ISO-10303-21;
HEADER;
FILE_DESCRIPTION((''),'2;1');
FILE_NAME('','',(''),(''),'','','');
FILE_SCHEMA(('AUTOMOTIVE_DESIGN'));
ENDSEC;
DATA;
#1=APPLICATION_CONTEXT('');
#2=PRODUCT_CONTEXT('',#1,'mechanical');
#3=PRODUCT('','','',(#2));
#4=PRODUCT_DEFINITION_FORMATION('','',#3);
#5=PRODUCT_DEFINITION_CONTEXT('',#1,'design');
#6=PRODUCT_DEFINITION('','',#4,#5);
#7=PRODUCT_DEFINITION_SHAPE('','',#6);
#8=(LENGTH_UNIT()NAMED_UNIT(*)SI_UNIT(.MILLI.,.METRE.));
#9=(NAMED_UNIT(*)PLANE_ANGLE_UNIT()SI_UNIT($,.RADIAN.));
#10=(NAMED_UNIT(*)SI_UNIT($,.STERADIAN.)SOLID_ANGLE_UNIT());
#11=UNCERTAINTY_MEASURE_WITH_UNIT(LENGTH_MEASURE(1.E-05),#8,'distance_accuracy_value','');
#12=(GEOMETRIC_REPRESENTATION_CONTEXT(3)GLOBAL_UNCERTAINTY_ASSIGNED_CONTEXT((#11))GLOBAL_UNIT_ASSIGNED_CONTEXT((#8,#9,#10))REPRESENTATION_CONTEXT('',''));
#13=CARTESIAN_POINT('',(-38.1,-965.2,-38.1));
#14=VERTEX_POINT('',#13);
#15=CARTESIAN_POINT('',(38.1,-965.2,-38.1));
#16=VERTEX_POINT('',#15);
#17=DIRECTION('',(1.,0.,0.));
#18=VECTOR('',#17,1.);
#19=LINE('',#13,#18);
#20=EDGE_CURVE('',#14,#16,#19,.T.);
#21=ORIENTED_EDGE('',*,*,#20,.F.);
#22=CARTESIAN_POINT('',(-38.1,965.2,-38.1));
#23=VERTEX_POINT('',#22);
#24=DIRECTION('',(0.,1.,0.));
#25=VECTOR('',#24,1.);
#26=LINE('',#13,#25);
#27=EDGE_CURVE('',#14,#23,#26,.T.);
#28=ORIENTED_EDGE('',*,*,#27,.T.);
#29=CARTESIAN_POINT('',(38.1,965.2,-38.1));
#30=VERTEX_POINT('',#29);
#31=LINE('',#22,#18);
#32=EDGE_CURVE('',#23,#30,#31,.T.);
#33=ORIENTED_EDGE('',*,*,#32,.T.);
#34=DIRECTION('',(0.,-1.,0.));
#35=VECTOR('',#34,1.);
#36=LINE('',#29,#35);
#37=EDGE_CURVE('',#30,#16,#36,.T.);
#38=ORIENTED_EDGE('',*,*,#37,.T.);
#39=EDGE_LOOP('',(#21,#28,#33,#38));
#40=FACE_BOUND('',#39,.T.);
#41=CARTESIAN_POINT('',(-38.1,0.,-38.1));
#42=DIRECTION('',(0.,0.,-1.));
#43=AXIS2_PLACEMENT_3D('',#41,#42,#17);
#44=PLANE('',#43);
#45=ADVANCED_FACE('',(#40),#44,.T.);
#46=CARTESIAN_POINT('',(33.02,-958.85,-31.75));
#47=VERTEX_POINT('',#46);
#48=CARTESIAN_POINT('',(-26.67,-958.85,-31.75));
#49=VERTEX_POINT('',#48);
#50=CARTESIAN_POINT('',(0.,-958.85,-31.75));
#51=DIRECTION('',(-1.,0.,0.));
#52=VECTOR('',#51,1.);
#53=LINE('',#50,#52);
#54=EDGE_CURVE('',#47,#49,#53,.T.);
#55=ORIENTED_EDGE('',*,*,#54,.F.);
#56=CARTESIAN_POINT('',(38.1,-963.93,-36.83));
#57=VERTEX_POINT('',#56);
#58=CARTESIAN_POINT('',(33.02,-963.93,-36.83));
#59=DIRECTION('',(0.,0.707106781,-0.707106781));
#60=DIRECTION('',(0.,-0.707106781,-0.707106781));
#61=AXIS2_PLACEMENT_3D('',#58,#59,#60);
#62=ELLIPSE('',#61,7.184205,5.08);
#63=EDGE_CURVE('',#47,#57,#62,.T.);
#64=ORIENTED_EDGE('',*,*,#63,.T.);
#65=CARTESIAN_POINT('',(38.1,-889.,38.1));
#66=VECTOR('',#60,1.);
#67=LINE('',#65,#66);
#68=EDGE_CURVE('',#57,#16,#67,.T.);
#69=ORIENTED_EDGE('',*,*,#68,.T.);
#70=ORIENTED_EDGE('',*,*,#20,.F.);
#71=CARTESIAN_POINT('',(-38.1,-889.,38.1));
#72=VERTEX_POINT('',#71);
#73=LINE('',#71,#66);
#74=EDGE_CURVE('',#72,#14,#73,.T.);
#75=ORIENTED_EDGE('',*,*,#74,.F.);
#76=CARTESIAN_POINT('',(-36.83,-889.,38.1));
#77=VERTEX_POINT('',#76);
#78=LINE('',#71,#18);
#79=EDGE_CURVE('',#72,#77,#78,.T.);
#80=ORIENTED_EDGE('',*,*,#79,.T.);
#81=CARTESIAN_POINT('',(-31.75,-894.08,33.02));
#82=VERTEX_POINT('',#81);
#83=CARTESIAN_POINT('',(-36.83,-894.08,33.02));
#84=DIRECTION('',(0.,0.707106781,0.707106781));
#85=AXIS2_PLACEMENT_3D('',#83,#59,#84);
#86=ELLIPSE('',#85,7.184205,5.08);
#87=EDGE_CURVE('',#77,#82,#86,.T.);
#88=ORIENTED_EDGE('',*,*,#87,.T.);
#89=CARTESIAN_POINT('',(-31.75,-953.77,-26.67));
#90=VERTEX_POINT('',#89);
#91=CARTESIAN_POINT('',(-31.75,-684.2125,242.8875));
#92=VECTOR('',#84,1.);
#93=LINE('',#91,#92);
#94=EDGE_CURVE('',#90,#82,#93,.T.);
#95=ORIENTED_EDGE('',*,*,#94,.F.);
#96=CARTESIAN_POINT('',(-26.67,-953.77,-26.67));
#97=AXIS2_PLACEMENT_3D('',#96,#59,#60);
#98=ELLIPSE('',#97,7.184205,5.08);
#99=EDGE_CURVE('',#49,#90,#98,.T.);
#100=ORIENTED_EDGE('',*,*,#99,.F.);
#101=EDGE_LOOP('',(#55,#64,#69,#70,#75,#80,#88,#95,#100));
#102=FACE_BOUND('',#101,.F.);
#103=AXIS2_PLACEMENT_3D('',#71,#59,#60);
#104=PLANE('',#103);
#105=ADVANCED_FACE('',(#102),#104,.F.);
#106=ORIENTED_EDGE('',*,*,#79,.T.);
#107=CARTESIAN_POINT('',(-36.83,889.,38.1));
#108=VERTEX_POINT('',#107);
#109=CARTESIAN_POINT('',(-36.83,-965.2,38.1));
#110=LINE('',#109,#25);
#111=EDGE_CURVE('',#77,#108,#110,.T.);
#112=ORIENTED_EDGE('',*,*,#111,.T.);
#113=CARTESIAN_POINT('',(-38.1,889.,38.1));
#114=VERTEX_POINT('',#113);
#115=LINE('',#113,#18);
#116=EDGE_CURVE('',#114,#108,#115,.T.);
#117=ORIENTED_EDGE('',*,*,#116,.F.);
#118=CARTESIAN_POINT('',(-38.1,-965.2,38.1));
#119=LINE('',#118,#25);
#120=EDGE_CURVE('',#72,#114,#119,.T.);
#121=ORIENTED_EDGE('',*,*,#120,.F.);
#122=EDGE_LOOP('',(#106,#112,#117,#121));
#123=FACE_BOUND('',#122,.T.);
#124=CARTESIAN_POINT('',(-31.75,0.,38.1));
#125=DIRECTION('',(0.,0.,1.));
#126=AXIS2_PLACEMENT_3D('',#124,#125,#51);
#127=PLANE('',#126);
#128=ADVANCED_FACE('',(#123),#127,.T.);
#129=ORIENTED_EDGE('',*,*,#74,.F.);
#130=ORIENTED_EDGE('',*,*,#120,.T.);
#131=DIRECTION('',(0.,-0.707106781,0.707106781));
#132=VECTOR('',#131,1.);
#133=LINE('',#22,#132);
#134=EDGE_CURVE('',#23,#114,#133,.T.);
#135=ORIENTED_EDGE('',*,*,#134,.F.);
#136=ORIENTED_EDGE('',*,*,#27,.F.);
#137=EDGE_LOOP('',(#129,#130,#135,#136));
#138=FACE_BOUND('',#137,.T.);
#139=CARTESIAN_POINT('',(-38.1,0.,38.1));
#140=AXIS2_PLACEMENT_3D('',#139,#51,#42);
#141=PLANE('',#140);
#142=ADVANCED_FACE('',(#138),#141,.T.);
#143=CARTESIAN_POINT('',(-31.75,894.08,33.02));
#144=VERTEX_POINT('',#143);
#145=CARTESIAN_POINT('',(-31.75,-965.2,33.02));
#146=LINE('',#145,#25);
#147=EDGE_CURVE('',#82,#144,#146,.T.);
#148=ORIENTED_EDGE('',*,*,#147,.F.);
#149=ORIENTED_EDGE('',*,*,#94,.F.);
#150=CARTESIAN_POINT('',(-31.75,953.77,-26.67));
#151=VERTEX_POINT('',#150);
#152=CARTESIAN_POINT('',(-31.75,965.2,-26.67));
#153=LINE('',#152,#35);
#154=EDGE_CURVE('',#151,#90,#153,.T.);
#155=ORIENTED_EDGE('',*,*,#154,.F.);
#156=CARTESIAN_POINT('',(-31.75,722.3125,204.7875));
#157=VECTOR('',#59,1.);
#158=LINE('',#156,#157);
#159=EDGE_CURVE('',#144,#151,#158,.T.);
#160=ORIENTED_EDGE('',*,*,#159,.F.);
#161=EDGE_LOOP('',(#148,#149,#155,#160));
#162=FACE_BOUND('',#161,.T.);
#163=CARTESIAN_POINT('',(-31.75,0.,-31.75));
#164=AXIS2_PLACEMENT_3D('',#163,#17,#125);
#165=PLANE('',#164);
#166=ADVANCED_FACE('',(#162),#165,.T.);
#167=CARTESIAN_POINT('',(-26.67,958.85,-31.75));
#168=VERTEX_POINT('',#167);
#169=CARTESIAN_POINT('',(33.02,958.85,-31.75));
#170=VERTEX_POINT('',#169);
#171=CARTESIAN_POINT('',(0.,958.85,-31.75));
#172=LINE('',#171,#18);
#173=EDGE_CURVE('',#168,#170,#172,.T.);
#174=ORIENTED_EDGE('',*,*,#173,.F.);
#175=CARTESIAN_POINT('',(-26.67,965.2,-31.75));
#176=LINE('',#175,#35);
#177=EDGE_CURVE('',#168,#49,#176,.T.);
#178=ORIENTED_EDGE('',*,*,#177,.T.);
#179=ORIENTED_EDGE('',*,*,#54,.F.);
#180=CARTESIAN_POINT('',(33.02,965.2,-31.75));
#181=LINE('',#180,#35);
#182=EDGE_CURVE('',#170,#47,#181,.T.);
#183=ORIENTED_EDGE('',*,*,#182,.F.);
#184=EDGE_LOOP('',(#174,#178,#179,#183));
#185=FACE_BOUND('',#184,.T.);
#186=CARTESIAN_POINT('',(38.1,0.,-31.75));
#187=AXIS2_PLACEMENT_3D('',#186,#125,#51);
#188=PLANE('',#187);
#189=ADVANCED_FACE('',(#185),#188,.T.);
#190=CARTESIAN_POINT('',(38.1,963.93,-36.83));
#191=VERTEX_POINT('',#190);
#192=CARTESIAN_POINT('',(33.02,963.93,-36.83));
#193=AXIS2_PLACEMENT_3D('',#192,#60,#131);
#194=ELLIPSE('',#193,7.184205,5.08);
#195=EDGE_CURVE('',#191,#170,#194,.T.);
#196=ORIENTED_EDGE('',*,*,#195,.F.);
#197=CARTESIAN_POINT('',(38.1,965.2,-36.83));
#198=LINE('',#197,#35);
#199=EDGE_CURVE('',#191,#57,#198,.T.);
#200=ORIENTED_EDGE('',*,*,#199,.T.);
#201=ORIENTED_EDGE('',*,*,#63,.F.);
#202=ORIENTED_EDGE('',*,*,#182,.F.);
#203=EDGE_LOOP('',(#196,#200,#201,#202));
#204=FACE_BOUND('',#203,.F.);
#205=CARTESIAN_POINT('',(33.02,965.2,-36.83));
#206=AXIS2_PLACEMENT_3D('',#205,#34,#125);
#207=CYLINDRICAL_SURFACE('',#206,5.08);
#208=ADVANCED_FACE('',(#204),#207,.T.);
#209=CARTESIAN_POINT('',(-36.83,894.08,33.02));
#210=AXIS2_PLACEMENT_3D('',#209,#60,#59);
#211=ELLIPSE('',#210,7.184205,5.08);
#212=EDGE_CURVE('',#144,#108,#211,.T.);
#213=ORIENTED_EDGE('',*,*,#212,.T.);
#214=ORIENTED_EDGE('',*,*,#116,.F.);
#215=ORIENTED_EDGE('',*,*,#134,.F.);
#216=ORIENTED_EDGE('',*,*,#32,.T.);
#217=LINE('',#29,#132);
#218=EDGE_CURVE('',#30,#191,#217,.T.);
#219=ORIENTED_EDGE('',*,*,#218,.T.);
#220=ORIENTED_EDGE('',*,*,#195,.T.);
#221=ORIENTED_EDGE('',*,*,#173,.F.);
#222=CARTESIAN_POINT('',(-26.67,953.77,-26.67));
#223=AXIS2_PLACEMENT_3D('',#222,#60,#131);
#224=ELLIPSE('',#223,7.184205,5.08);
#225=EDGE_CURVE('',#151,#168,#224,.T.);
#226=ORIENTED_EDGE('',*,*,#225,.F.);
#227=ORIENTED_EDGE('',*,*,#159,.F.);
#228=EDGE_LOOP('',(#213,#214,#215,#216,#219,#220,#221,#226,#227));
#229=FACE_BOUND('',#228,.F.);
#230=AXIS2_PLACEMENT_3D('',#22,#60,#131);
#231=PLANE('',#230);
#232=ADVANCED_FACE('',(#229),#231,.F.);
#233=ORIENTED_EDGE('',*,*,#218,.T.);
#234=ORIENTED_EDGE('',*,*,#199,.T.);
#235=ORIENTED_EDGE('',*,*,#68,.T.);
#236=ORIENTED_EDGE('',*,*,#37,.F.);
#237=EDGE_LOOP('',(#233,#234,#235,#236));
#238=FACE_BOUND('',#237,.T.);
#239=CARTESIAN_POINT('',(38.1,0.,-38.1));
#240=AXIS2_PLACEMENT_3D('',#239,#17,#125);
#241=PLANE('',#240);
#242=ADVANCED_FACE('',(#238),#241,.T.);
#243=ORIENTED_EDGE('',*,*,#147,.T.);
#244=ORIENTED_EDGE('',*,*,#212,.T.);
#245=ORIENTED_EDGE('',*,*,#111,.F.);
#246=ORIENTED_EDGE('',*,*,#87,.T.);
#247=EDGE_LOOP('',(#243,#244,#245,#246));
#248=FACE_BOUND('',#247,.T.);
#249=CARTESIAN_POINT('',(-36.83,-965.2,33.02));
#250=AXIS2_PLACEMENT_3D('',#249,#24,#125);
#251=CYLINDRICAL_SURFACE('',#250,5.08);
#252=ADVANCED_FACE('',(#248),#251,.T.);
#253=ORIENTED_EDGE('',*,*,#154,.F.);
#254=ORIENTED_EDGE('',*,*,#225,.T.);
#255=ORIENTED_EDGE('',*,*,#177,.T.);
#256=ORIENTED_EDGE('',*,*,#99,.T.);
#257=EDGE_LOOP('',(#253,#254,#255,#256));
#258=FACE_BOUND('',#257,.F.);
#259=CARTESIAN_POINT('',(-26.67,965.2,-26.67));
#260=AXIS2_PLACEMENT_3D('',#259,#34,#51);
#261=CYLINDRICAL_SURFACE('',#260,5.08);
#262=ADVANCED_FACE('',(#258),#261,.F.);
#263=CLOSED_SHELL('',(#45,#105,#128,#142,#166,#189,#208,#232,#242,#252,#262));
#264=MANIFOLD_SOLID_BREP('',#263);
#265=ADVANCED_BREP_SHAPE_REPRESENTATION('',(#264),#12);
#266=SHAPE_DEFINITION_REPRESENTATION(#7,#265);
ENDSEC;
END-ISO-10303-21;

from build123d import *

# Parameters (mm, degrees)
F1_DEPTH = 965.2
F2_R     = 5.08
F4_DEPTH = 76.2


with BuildPart() as f1:
    # F0 (on Front) → F1 (new body, symmetric)
    with BuildSketch(Plane.XZ):
        Polygon((-38.1, -38.1), (38.1, -38.1), (38.1, -31.75), (-31.75, -31.75), (-31.75, 38.1), (-38.1, 38.1), align=None)
    extrude(amount=F1_DEPTH, both=True)

    # F2
    f2_edges = [f1.edges().sort_by_distance(p)[0] for p in [
        (-31.75, 0, 38.1),
        (-31.75, 0, -31.75),
        (38.1, 0, -31.75),
    ]]
    fillet(f2_edges, radius=F2_R)

    # F3 (on face) → F4 (cut)
    with BuildSketch(Plane(origin=(-38.1, 0, 0), x_dir=(0, -1, 0), z_dir=(-1, 0, 0))):
        Polygon((-965.2, 38.1), (-965.2, -38.1), (-889, 38.1), align=None)
        Polygon((889, 38.1), (965.2, -38.1), (965.2, 38.1), align=None)
    extrude(amount=-F4_DEPTH, mode=Mode.SUBTRACT)


solid = f1.part
